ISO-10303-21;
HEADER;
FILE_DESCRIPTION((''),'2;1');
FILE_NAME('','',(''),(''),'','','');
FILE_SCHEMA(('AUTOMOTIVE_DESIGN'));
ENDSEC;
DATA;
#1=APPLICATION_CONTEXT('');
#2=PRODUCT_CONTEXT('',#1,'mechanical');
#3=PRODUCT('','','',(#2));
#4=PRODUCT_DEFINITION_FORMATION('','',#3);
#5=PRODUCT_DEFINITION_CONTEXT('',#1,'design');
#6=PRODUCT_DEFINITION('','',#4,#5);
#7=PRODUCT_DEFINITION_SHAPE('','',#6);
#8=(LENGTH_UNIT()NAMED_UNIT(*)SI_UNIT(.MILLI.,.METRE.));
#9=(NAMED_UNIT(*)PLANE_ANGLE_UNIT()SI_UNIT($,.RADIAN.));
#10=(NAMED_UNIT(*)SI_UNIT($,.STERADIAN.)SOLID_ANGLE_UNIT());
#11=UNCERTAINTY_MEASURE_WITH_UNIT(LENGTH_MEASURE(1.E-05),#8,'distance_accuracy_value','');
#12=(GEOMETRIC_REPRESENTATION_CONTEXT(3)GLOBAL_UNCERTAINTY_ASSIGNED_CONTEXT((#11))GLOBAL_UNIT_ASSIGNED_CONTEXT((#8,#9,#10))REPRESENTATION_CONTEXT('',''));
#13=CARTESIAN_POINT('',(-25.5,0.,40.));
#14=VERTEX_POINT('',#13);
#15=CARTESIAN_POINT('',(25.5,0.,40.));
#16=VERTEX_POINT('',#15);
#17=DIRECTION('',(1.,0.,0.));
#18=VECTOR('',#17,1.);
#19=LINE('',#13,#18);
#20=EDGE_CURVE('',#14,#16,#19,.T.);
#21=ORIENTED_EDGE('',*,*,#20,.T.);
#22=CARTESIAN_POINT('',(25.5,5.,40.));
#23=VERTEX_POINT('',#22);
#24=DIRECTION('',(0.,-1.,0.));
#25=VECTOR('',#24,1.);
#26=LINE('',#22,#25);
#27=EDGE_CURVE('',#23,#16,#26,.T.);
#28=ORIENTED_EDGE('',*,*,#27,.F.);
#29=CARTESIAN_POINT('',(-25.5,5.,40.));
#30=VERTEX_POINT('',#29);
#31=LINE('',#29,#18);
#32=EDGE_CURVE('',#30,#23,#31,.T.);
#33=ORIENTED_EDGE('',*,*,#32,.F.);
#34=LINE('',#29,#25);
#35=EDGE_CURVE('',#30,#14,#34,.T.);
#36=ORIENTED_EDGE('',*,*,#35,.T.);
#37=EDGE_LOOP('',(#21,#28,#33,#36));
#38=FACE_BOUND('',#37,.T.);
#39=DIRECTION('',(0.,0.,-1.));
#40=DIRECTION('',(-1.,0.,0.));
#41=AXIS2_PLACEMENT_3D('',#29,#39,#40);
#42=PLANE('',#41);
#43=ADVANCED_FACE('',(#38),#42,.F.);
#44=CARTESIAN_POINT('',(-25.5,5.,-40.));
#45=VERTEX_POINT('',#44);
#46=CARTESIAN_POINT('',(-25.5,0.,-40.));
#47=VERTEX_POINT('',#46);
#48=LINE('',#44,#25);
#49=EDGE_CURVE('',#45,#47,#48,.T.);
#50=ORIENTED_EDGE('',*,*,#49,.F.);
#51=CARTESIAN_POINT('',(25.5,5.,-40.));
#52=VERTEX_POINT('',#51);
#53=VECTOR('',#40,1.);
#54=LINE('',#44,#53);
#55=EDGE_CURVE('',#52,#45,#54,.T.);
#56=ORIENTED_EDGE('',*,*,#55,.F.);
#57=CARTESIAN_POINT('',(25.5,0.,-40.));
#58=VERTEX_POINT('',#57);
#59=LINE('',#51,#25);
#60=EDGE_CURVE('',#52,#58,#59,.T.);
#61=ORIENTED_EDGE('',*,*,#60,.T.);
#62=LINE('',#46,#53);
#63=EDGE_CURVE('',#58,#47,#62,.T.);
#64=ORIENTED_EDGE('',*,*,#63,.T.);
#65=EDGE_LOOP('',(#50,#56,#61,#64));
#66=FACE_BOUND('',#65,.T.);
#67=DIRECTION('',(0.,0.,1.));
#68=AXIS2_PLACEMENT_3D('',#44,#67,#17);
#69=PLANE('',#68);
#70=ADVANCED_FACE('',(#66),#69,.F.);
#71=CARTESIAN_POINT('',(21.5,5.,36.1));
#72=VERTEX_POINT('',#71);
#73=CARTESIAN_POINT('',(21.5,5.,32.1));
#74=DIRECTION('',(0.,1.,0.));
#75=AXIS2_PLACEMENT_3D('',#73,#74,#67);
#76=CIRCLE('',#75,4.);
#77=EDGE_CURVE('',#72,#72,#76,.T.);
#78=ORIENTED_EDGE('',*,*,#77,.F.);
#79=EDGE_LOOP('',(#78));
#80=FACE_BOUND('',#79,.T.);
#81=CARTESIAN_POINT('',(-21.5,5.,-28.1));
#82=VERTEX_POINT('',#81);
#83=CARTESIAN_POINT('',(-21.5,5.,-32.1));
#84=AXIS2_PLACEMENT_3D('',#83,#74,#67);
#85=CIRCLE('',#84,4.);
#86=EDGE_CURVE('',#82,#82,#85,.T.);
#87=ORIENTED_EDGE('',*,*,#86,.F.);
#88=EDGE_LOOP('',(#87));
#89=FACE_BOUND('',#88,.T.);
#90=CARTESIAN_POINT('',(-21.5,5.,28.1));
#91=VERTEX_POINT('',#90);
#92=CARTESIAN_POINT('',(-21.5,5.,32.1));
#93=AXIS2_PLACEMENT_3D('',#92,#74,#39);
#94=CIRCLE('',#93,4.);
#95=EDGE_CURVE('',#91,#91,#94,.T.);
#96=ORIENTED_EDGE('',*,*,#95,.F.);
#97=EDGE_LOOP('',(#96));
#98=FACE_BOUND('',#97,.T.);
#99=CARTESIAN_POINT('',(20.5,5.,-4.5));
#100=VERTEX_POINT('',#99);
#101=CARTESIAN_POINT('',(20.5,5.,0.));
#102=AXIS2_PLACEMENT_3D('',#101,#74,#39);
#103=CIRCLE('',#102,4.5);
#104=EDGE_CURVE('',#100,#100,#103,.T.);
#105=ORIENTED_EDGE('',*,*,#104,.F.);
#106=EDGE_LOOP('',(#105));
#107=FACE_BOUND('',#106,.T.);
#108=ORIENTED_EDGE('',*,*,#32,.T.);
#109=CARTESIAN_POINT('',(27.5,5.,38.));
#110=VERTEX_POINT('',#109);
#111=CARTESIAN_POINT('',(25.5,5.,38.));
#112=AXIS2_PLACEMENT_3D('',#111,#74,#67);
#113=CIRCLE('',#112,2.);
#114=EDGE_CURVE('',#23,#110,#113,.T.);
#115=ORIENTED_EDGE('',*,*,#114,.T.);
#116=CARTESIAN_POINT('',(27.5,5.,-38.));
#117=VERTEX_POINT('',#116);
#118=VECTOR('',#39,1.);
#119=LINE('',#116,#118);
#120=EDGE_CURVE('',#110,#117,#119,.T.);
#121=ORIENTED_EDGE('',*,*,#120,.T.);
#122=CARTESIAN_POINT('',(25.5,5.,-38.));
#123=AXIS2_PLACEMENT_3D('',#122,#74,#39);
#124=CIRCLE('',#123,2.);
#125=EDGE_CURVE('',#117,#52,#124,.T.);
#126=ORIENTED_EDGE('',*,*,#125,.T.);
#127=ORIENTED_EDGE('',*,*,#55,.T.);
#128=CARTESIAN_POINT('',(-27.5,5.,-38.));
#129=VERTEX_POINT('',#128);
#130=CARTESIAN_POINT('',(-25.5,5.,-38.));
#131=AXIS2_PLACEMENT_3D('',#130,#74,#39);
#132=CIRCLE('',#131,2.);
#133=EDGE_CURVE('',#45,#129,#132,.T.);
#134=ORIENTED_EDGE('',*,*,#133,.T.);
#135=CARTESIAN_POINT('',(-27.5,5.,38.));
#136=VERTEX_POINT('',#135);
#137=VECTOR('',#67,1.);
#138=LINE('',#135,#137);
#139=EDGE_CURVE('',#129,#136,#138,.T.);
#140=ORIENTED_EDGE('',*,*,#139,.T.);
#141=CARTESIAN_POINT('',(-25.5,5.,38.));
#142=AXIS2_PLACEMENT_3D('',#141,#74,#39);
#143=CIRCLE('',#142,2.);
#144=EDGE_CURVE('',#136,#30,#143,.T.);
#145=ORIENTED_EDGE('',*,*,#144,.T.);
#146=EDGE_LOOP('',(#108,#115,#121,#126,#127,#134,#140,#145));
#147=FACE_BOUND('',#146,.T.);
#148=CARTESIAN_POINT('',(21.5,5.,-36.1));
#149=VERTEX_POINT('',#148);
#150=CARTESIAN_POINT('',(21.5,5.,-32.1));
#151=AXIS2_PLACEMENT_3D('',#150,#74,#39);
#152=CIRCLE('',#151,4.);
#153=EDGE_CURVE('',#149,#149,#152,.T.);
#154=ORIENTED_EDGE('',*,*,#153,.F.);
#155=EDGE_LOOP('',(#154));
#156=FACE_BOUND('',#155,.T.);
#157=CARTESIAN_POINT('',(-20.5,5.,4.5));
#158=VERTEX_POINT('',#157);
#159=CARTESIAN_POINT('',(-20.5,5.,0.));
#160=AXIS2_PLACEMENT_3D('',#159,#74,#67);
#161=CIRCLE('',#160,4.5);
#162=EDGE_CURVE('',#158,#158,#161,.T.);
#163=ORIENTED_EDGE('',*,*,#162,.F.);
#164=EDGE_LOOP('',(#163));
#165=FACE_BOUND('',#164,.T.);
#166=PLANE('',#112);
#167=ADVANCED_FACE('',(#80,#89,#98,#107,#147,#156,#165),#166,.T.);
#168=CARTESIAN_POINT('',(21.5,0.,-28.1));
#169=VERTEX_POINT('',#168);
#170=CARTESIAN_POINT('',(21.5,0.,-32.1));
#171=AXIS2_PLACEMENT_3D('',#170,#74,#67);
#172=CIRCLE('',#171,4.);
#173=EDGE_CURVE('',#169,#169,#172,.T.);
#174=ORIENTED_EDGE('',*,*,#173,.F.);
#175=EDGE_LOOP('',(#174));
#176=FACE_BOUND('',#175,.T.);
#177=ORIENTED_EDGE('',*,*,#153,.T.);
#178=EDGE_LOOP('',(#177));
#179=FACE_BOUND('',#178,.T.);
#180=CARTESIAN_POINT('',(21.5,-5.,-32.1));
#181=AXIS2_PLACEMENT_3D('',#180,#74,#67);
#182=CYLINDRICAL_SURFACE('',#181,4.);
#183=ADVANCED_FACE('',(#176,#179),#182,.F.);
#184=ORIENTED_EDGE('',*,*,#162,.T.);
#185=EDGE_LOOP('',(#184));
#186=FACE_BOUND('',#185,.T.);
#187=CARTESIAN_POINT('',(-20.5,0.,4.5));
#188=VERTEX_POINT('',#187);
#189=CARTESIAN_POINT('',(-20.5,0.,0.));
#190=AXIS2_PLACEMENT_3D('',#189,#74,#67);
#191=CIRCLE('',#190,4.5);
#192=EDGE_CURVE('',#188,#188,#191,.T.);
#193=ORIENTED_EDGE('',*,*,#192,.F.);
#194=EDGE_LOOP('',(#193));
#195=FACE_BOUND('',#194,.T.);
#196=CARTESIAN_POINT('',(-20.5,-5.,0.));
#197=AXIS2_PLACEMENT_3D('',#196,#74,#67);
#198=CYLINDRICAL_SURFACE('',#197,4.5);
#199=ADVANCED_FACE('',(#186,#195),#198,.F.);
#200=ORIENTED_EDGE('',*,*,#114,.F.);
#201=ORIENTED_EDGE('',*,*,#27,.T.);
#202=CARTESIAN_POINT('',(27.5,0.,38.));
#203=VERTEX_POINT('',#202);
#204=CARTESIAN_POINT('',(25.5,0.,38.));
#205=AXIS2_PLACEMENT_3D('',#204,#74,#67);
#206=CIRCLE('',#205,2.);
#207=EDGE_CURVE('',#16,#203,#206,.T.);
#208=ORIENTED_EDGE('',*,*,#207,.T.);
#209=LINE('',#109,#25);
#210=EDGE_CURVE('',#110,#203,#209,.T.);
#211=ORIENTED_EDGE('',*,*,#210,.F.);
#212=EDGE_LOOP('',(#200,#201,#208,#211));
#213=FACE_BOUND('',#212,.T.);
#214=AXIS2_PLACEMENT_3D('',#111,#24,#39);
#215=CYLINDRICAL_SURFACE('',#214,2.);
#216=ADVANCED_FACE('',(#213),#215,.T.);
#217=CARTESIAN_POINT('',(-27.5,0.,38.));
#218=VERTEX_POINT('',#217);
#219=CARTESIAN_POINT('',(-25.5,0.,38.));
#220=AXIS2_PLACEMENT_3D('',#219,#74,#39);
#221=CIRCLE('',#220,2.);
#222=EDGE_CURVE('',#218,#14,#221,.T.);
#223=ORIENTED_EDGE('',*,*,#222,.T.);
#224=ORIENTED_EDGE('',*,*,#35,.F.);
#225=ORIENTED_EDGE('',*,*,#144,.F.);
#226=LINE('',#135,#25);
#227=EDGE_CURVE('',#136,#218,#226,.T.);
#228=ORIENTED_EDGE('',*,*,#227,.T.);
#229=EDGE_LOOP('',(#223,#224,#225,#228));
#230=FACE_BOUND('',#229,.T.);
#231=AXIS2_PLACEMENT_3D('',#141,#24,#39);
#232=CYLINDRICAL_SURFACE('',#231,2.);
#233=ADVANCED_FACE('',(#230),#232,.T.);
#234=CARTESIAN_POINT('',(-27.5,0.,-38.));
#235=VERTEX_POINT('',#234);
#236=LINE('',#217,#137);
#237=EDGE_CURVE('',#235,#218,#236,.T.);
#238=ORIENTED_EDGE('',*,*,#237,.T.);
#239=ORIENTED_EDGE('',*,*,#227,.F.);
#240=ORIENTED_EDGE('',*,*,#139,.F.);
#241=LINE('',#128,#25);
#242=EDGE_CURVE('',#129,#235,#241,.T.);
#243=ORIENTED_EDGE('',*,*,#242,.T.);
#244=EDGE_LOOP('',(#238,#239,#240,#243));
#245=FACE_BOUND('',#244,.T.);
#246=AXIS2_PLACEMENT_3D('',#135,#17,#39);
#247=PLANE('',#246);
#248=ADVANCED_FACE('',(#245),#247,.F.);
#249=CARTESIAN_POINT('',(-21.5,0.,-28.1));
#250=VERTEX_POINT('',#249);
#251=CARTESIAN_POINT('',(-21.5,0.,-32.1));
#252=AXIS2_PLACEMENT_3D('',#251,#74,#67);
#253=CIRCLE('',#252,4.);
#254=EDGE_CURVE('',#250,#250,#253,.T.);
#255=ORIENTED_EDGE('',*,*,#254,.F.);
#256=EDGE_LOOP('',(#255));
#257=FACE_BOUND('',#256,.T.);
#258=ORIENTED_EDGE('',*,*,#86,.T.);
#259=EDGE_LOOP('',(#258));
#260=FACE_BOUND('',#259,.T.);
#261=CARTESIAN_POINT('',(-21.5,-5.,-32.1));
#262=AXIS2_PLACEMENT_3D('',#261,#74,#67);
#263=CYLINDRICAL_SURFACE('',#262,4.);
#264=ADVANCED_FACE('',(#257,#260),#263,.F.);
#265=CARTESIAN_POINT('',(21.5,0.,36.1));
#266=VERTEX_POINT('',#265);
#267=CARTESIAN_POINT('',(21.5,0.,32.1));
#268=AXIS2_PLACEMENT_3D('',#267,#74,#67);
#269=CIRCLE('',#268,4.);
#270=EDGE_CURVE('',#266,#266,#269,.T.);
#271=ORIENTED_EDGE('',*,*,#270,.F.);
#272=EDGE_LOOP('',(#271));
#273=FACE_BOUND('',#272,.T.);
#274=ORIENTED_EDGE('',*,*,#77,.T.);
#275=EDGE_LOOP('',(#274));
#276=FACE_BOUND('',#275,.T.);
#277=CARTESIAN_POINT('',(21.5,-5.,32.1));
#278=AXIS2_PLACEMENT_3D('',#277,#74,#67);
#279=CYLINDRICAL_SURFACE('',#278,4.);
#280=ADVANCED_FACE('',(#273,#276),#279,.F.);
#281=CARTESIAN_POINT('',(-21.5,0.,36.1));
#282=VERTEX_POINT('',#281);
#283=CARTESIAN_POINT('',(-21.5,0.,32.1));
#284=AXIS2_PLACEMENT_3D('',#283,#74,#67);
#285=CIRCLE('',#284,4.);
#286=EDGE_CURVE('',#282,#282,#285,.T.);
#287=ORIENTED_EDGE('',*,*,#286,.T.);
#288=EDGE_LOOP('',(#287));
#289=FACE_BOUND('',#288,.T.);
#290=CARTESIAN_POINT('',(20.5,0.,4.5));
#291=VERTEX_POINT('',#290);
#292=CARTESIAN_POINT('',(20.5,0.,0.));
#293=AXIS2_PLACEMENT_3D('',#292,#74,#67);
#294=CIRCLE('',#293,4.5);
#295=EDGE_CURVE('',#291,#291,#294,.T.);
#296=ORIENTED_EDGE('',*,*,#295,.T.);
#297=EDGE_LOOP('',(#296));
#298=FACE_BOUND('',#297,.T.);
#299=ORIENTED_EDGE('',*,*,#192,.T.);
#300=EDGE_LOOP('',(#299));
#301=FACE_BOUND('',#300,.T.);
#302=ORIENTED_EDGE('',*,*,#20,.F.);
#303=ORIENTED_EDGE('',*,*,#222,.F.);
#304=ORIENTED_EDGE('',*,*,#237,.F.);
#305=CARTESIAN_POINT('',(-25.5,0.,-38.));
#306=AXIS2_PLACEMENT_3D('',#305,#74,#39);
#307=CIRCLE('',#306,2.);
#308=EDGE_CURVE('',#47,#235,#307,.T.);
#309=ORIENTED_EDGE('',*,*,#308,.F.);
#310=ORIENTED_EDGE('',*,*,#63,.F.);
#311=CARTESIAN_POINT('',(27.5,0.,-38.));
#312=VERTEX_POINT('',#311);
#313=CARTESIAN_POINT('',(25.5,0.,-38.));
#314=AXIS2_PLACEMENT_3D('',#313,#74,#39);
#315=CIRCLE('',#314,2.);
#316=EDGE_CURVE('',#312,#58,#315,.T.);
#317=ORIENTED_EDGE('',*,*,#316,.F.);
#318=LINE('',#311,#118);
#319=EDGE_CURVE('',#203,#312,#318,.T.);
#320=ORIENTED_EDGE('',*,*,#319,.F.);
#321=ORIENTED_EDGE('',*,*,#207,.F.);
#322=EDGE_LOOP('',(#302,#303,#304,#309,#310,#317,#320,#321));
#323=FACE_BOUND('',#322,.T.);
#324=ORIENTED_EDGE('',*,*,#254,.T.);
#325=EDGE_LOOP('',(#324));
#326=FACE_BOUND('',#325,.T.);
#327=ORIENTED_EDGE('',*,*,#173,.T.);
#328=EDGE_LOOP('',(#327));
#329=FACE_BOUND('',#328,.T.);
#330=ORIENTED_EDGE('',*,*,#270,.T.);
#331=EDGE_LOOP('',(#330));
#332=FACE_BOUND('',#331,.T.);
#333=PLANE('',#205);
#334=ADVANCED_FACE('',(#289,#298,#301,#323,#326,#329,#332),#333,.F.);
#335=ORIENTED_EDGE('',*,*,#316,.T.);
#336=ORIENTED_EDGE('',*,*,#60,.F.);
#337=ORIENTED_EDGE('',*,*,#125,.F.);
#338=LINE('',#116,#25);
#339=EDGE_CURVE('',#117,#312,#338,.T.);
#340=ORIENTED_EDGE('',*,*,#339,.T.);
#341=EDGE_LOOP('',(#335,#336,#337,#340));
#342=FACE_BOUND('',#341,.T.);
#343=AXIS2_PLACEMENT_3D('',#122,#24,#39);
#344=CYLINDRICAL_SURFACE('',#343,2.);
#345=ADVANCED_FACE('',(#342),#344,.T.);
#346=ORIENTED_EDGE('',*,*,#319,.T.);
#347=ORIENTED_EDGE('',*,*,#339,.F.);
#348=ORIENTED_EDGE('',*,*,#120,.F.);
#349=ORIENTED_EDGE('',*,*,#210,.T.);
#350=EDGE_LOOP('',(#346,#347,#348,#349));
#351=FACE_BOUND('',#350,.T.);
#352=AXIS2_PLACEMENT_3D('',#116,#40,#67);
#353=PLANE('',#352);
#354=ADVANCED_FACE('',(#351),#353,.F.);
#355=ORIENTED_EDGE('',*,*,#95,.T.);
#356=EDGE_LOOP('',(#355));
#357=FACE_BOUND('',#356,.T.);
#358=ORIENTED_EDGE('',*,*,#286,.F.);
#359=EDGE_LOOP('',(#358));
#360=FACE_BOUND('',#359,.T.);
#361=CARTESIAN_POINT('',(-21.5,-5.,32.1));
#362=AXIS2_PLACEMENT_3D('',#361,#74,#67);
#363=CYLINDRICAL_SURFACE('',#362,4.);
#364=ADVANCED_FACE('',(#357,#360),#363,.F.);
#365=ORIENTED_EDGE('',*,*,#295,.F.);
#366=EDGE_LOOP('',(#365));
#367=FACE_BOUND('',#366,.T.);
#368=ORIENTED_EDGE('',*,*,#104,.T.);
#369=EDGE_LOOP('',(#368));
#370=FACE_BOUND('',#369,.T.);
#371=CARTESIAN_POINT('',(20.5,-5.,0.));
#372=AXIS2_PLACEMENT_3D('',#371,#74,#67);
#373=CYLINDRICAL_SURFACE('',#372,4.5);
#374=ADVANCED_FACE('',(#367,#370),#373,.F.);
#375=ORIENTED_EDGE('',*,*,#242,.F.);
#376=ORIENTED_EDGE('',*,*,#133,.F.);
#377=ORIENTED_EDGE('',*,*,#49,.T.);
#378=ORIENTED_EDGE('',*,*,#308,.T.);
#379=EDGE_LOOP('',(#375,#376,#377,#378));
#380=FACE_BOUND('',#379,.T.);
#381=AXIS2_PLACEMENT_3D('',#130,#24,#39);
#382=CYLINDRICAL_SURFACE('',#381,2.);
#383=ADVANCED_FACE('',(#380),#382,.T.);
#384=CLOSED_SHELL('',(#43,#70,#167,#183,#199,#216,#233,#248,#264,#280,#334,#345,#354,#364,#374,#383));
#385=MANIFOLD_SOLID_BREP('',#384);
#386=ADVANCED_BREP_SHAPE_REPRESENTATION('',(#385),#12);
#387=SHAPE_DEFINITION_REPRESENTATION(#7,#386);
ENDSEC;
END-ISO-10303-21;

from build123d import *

# Parameters (mm, degrees)
SALIENTE_EXTRUIR1_DEPTH = 5
CROQUIS2_R              = 4.5
CROQUIS2_R_2            = 4
CORTAR_EXTRUIR1_DEPTH   = 10


with BuildPart() as part:
    # Croquis1 → Saliente-Extruir1 (new body)
    with BuildSketch(Plane(origin=(0, 0, 0), x_dir=(1, 0, 0), z_dir=(0, 1, 0))):
        with BuildLine():
            Line((-27.5, -38), (-27.5, 38))
            ThreePointArc((-27.5, 38), (-26.914213562, 39.414213562), (-25.5, 40))
            Line((-25.5, 40), (25.5, 40))
            ThreePointArc((25.5, 40), (26.914213562, 39.414213562), (27.5, 38))
            Line((27.5, 38), (27.5, -38))
            ThreePointArc((27.5, -38), (26.914213562, -39.414213562), (25.5, -40))
            Line((25.5, -40), (-25.5, -40))
            ThreePointArc((-25.5, -40), (-26.914213562, -39.414213562), (-27.5, -38))
        make_face()
    extrude(amount=SALIENTE_EXTRUIR1_DEPTH)

    # Croquis2 → Cortar-Extruir1 (cut)
    with BuildSketch(Plane(origin=(0, 5, 0), x_dir=(1, 0, 0), z_dir=(0, 1, 0))):
        with Locations(Location((-20.5, 0, 0), (0, 0, 270))):
            Circle(CROQUIS2_R)
        with Locations(Location((20.5, 0, 0), (0, 0, 270))):
            Circle(CROQUIS2_R)
        with Locations(Location((-21.5, 32.1, 0), (0, 0, 270))):
            Circle(CROQUIS2_R_2)
        with Locations(Location((-21.5, -32.1, 0), (0, 0, 270))):
            Circle(CROQUIS2_R_2)
        with Locations(Location((21.5, 32.1, 0), (0, 0, 270))):
            Circle(CROQUIS2_R_2)
        with Locations(Location((21.5, -32.1, 0), (0, 0, 270))):
            Circle(CROQUIS2_R_2)
    extrude(amount=-CORTAR_EXTRUIR1_DEPTH, mode=Mode.SUBTRACT)


solid = part.part
